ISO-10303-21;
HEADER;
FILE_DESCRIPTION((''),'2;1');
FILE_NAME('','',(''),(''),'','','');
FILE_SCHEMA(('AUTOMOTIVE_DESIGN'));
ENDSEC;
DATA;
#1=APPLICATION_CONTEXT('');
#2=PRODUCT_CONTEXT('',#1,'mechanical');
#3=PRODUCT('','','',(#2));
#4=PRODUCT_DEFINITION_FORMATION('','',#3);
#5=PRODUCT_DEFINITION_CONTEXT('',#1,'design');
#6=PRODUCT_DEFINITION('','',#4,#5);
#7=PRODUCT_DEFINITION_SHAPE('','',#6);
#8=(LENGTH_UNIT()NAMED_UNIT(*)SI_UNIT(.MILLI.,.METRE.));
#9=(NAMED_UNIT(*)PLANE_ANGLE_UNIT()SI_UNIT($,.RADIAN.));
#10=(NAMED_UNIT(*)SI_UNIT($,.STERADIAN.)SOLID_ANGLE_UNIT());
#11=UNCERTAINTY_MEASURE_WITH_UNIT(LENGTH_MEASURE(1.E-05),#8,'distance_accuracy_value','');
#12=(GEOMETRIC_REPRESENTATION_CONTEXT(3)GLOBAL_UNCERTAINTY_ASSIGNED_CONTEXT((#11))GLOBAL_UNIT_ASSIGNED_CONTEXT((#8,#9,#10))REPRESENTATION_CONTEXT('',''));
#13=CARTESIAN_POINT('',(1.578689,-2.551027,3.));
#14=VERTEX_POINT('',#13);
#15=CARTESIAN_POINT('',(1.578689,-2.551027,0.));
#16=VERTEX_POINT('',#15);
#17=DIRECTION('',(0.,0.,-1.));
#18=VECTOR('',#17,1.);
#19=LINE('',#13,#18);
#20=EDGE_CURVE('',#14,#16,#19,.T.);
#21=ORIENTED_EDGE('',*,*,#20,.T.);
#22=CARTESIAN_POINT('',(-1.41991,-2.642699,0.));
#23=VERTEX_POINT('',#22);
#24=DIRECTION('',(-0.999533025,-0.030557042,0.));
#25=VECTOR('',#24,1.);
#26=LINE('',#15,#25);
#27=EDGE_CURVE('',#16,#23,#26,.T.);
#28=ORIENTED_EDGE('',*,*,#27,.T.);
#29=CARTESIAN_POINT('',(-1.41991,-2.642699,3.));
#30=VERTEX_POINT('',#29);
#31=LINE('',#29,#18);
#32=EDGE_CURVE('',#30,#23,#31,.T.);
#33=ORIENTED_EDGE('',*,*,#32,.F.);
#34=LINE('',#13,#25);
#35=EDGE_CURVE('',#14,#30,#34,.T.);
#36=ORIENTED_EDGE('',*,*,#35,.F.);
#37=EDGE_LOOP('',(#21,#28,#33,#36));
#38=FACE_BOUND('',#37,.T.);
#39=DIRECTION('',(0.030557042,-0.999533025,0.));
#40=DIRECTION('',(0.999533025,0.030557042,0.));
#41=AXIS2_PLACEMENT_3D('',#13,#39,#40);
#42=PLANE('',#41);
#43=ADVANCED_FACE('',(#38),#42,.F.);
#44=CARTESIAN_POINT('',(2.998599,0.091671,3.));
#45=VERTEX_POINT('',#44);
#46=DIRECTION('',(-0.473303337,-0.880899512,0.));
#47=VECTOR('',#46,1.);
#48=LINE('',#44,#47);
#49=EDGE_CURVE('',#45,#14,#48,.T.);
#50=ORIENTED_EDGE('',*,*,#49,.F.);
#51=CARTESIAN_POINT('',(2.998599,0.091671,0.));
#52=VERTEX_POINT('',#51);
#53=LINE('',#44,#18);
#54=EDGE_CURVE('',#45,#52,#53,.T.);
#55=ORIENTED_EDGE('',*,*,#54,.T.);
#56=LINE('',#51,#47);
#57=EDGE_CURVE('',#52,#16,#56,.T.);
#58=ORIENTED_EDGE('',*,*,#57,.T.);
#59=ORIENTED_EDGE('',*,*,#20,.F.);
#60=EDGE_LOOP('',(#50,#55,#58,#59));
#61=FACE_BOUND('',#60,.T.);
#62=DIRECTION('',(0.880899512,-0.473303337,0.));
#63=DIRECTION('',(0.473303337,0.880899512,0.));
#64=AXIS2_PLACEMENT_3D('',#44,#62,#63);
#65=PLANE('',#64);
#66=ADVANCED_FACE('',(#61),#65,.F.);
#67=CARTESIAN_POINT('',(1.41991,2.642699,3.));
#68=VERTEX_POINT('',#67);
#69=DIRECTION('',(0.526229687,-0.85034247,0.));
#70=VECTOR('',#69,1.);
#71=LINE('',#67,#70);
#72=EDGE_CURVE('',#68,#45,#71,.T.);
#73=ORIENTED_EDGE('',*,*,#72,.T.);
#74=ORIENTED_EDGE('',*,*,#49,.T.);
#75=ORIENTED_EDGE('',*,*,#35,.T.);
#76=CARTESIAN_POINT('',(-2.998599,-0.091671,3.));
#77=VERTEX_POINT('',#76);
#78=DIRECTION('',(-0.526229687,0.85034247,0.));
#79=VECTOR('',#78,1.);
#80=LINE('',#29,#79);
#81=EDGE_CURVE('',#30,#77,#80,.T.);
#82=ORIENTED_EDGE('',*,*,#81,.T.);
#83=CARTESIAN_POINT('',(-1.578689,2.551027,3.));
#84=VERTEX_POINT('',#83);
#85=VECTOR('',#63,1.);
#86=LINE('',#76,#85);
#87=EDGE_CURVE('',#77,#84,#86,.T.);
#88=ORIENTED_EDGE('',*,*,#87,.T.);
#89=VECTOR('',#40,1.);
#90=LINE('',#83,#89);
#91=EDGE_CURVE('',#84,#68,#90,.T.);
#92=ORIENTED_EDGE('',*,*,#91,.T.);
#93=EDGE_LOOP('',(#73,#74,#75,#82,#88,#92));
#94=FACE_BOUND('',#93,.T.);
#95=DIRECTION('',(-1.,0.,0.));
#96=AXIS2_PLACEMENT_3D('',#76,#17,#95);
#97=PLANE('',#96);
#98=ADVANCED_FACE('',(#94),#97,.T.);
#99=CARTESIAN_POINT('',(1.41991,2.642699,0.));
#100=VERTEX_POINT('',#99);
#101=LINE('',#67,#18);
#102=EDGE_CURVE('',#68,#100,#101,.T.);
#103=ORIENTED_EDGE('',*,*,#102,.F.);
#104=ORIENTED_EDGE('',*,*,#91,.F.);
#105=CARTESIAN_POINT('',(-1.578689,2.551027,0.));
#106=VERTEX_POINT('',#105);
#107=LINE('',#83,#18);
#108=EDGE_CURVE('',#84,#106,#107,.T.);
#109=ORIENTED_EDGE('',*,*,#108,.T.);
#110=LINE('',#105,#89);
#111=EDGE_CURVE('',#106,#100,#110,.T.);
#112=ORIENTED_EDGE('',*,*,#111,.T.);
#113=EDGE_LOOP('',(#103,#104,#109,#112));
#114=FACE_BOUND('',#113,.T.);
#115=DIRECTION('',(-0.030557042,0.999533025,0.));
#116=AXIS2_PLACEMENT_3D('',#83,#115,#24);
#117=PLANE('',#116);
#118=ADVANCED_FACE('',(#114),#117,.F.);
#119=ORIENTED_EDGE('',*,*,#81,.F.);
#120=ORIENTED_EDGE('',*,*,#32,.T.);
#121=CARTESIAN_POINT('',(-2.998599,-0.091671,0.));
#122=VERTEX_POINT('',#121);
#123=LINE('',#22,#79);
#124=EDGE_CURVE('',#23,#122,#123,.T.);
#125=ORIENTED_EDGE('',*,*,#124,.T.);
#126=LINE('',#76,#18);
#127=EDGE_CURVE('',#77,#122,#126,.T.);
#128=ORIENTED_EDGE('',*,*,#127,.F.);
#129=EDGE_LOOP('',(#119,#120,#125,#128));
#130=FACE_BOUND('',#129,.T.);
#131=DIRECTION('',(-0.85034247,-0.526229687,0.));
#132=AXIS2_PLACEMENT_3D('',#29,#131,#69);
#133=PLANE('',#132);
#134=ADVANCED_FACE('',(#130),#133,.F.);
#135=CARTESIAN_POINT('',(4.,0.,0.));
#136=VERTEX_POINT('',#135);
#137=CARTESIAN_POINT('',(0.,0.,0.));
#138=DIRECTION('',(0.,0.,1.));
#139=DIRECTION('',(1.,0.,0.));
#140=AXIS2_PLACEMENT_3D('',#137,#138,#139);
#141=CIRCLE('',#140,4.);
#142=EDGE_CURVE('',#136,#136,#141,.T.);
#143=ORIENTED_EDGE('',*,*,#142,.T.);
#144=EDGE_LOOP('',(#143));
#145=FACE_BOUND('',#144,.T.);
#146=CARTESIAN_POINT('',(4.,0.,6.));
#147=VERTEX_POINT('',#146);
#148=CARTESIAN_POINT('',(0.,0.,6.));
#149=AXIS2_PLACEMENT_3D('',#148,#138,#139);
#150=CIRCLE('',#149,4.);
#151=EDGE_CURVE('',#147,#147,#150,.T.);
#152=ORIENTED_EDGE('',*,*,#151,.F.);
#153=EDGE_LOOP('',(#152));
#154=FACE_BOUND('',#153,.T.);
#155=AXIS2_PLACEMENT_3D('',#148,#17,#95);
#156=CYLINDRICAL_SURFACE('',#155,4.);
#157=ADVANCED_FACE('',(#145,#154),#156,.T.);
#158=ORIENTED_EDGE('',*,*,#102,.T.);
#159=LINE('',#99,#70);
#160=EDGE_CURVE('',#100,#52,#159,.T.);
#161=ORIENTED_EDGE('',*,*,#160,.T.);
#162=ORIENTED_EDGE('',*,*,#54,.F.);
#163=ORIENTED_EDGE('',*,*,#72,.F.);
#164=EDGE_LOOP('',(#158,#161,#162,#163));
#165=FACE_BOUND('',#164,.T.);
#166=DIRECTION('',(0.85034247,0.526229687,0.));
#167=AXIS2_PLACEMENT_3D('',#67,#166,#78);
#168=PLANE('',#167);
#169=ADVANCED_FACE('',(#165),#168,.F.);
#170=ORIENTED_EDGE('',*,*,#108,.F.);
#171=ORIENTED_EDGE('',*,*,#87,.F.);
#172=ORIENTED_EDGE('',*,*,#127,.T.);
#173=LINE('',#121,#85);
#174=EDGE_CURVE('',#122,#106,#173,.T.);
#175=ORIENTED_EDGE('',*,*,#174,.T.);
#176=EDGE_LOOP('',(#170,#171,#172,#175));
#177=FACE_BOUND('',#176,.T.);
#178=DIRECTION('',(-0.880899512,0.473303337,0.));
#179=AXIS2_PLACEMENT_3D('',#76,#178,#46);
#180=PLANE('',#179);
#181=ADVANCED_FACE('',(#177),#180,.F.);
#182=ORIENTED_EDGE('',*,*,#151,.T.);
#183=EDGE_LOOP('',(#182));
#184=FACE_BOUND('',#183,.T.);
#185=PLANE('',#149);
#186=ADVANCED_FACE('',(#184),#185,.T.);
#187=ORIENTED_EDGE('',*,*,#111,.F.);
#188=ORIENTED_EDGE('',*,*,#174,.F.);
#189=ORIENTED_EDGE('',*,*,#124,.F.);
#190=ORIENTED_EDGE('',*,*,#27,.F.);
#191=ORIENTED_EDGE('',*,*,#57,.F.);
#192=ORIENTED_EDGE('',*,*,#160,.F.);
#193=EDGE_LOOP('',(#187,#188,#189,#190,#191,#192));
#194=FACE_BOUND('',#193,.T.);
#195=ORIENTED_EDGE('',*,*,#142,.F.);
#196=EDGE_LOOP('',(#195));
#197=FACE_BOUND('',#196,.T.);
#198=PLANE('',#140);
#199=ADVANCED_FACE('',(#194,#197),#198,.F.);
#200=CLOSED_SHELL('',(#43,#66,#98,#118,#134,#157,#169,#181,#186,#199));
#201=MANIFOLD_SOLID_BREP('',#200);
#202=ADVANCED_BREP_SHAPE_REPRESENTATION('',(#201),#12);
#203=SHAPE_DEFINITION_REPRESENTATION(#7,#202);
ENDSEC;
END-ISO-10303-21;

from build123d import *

# Parameters (mm, degrees)
SKETCH_1_R          = 4
EXTRUDE_1_DEPTH     = 6
CUT_EXTRUDE_1_DEPTH = 3


with BuildPart() as part:
    # 草图1 → 凸台-拉伸1 (new body)
    with BuildSketch(Plane.XY):
        Circle(SKETCH_1_R)
    extrude(amount=EXTRUDE_1_DEPTH)

    # 草图3 → 切除-拉伸1 (cut)
    with BuildSketch(Plane(origin=(0, 0, 0), x_dir=(-1, 0, 0), z_dir=(0, 0, -1))):
        Polygon((2.998599074, -0.091671127), (1.578689062, 2.55102741), (-1.419910012, 2.642698537), (-2.998599074, 0.091671127), (-1.578689062, -2.55102741), (1.419910012, -2.642698537), align=None)
    extrude(amount=-CUT_EXTRUDE_1_DEPTH, mode=Mode.SUBTRACT)


solid = part.part
